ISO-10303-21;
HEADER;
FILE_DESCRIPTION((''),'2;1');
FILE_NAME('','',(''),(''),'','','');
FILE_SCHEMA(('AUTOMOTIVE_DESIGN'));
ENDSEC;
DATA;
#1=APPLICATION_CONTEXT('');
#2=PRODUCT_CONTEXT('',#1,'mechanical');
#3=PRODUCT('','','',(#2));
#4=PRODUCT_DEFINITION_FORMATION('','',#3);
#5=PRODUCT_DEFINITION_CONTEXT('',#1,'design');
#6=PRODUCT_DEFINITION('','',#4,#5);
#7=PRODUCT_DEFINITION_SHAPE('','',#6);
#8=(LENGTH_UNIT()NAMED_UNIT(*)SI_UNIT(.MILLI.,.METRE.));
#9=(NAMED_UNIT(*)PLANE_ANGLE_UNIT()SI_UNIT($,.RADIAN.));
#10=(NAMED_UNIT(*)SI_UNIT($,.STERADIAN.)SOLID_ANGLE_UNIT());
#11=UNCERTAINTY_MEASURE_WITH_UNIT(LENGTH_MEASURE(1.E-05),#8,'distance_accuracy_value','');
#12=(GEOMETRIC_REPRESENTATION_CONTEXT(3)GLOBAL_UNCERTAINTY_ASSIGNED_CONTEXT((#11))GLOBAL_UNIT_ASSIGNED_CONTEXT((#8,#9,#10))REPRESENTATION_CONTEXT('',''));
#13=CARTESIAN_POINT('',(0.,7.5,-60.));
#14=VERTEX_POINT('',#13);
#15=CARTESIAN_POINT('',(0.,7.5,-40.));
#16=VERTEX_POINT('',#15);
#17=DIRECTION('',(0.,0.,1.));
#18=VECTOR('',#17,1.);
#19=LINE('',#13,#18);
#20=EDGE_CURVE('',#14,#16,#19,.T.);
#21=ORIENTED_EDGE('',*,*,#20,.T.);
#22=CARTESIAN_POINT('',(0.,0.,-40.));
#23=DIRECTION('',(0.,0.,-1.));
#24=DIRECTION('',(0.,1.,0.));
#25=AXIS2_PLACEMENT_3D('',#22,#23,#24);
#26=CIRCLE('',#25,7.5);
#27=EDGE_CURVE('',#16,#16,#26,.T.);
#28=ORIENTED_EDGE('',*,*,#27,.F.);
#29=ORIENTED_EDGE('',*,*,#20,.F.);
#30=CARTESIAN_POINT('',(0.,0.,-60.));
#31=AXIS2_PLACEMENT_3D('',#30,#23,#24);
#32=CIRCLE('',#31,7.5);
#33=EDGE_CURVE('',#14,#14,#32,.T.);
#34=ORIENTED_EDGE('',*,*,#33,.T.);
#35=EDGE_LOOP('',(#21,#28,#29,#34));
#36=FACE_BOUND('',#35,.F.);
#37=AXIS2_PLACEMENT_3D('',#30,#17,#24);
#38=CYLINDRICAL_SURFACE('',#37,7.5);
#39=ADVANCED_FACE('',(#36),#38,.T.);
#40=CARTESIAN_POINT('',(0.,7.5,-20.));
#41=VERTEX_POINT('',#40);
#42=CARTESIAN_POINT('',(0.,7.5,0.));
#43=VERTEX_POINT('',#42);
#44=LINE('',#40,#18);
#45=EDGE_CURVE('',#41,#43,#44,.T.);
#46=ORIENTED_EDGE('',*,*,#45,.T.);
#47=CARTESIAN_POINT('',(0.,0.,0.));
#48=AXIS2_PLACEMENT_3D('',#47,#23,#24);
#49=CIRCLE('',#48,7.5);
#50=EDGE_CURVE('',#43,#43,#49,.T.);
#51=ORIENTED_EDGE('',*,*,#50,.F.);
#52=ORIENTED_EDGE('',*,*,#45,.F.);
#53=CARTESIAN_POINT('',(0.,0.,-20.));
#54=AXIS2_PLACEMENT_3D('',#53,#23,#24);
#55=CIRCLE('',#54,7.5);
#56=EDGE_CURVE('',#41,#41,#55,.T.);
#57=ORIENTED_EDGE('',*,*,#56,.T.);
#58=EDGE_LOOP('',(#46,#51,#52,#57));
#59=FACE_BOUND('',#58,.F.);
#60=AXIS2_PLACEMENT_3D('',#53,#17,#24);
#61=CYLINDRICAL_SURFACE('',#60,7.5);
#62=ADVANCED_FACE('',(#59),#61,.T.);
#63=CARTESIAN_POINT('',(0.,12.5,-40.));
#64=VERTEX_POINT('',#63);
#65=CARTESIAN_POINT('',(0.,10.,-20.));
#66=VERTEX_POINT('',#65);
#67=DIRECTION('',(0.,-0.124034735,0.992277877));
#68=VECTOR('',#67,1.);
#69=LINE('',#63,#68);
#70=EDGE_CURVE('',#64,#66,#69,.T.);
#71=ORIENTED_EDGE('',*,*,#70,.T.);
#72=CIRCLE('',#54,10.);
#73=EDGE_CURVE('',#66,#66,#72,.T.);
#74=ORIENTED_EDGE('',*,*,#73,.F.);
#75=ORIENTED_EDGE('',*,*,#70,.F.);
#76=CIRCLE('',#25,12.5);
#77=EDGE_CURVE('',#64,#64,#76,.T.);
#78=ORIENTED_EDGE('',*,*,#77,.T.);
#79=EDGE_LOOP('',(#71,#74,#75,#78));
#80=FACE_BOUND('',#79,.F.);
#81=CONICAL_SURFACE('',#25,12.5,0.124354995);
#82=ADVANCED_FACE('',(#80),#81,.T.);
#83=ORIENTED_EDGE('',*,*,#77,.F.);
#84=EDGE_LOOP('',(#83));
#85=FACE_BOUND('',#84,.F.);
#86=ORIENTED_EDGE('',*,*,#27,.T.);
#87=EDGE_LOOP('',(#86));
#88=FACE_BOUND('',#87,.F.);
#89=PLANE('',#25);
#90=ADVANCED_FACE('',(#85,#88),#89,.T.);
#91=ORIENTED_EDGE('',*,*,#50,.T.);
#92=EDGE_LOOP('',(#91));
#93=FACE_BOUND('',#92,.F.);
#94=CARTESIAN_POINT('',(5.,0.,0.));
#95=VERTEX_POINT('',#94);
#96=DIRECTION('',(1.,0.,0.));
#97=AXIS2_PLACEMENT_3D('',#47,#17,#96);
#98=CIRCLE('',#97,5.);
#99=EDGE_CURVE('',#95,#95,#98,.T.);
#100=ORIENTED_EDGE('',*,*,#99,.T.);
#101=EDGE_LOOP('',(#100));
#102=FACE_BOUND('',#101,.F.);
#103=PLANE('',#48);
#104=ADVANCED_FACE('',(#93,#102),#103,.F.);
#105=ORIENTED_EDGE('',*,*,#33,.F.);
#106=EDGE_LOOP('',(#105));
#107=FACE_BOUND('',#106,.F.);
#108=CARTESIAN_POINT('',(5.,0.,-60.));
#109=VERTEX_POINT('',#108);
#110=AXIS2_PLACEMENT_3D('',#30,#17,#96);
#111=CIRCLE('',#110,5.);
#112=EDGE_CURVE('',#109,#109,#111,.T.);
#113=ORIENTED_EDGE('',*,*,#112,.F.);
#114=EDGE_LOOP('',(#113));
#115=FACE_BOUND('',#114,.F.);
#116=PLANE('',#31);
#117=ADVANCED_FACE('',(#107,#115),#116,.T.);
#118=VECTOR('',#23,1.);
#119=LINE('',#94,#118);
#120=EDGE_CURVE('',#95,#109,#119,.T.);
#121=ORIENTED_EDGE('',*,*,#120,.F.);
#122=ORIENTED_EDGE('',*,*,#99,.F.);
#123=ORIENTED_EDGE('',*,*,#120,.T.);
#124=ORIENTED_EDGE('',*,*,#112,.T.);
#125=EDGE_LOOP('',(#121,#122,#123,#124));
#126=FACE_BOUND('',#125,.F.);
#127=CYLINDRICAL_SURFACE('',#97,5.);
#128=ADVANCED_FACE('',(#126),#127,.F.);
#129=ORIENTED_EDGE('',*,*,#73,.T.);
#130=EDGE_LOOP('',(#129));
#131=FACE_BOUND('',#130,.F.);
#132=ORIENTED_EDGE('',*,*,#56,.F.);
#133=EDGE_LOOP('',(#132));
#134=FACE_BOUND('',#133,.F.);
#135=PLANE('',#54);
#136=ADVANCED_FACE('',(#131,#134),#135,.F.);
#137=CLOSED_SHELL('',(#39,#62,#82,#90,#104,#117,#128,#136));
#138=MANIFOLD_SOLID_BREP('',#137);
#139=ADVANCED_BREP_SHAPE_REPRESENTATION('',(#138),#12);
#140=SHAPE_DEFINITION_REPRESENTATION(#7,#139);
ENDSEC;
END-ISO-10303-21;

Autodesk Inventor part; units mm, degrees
ref_plane "YZ Plane" through (0, 0, 0) normal (1, 0, 0) x (0, 1, 0)
ref_plane "XZ Plane" through (0, 0, 0) normal (0, 1, 0) x (-1, 0, 0)
ref_plane "XY Plane" through (0, 0, 0) normal (0, 0, 1) x (1, 0, 0)
sketch "Sketch1" plane through (0, 0, 0) normal (1, 0, 0) x (0, 1, 0)
  line L0 (0, 0) -> (0, -60)
  line L1 (0, -60) -> (7.5, -60)
  line L2 (7.5, -60) -> (7.5, -40)
  line L3 (7.5, -40) -> (12.5, -40)
  line L4 (12.5, -40) -> (10, -20)
  line L5 (10, -20) -> (7.5, -20)
  line L6 (7.5, -20) -> (7.5, 0)
  line L7 (7.5, 0) -> (0, 0)
  dimension "d0" = 40
  dimension "d1" = 20
  dimension "d2" = 2.5
  dimension "d3" = 5
  dimension "d4" = 15
  dimension "d5" = 20
revolve "Revolution1" add sketch "Sketch1" angle 360 about axis through (0, 0, 0) along (0, 0, -1)
sketch "Sketch2" plane through (0, 0, 0) normal (0, 0, 1) x (1, 0, 0)
  circle A0 centre (0, 0) radius 5
  dimension "d10" = 10
extrude "Extrusion2" cut sketch "Sketch2" against normal through all
